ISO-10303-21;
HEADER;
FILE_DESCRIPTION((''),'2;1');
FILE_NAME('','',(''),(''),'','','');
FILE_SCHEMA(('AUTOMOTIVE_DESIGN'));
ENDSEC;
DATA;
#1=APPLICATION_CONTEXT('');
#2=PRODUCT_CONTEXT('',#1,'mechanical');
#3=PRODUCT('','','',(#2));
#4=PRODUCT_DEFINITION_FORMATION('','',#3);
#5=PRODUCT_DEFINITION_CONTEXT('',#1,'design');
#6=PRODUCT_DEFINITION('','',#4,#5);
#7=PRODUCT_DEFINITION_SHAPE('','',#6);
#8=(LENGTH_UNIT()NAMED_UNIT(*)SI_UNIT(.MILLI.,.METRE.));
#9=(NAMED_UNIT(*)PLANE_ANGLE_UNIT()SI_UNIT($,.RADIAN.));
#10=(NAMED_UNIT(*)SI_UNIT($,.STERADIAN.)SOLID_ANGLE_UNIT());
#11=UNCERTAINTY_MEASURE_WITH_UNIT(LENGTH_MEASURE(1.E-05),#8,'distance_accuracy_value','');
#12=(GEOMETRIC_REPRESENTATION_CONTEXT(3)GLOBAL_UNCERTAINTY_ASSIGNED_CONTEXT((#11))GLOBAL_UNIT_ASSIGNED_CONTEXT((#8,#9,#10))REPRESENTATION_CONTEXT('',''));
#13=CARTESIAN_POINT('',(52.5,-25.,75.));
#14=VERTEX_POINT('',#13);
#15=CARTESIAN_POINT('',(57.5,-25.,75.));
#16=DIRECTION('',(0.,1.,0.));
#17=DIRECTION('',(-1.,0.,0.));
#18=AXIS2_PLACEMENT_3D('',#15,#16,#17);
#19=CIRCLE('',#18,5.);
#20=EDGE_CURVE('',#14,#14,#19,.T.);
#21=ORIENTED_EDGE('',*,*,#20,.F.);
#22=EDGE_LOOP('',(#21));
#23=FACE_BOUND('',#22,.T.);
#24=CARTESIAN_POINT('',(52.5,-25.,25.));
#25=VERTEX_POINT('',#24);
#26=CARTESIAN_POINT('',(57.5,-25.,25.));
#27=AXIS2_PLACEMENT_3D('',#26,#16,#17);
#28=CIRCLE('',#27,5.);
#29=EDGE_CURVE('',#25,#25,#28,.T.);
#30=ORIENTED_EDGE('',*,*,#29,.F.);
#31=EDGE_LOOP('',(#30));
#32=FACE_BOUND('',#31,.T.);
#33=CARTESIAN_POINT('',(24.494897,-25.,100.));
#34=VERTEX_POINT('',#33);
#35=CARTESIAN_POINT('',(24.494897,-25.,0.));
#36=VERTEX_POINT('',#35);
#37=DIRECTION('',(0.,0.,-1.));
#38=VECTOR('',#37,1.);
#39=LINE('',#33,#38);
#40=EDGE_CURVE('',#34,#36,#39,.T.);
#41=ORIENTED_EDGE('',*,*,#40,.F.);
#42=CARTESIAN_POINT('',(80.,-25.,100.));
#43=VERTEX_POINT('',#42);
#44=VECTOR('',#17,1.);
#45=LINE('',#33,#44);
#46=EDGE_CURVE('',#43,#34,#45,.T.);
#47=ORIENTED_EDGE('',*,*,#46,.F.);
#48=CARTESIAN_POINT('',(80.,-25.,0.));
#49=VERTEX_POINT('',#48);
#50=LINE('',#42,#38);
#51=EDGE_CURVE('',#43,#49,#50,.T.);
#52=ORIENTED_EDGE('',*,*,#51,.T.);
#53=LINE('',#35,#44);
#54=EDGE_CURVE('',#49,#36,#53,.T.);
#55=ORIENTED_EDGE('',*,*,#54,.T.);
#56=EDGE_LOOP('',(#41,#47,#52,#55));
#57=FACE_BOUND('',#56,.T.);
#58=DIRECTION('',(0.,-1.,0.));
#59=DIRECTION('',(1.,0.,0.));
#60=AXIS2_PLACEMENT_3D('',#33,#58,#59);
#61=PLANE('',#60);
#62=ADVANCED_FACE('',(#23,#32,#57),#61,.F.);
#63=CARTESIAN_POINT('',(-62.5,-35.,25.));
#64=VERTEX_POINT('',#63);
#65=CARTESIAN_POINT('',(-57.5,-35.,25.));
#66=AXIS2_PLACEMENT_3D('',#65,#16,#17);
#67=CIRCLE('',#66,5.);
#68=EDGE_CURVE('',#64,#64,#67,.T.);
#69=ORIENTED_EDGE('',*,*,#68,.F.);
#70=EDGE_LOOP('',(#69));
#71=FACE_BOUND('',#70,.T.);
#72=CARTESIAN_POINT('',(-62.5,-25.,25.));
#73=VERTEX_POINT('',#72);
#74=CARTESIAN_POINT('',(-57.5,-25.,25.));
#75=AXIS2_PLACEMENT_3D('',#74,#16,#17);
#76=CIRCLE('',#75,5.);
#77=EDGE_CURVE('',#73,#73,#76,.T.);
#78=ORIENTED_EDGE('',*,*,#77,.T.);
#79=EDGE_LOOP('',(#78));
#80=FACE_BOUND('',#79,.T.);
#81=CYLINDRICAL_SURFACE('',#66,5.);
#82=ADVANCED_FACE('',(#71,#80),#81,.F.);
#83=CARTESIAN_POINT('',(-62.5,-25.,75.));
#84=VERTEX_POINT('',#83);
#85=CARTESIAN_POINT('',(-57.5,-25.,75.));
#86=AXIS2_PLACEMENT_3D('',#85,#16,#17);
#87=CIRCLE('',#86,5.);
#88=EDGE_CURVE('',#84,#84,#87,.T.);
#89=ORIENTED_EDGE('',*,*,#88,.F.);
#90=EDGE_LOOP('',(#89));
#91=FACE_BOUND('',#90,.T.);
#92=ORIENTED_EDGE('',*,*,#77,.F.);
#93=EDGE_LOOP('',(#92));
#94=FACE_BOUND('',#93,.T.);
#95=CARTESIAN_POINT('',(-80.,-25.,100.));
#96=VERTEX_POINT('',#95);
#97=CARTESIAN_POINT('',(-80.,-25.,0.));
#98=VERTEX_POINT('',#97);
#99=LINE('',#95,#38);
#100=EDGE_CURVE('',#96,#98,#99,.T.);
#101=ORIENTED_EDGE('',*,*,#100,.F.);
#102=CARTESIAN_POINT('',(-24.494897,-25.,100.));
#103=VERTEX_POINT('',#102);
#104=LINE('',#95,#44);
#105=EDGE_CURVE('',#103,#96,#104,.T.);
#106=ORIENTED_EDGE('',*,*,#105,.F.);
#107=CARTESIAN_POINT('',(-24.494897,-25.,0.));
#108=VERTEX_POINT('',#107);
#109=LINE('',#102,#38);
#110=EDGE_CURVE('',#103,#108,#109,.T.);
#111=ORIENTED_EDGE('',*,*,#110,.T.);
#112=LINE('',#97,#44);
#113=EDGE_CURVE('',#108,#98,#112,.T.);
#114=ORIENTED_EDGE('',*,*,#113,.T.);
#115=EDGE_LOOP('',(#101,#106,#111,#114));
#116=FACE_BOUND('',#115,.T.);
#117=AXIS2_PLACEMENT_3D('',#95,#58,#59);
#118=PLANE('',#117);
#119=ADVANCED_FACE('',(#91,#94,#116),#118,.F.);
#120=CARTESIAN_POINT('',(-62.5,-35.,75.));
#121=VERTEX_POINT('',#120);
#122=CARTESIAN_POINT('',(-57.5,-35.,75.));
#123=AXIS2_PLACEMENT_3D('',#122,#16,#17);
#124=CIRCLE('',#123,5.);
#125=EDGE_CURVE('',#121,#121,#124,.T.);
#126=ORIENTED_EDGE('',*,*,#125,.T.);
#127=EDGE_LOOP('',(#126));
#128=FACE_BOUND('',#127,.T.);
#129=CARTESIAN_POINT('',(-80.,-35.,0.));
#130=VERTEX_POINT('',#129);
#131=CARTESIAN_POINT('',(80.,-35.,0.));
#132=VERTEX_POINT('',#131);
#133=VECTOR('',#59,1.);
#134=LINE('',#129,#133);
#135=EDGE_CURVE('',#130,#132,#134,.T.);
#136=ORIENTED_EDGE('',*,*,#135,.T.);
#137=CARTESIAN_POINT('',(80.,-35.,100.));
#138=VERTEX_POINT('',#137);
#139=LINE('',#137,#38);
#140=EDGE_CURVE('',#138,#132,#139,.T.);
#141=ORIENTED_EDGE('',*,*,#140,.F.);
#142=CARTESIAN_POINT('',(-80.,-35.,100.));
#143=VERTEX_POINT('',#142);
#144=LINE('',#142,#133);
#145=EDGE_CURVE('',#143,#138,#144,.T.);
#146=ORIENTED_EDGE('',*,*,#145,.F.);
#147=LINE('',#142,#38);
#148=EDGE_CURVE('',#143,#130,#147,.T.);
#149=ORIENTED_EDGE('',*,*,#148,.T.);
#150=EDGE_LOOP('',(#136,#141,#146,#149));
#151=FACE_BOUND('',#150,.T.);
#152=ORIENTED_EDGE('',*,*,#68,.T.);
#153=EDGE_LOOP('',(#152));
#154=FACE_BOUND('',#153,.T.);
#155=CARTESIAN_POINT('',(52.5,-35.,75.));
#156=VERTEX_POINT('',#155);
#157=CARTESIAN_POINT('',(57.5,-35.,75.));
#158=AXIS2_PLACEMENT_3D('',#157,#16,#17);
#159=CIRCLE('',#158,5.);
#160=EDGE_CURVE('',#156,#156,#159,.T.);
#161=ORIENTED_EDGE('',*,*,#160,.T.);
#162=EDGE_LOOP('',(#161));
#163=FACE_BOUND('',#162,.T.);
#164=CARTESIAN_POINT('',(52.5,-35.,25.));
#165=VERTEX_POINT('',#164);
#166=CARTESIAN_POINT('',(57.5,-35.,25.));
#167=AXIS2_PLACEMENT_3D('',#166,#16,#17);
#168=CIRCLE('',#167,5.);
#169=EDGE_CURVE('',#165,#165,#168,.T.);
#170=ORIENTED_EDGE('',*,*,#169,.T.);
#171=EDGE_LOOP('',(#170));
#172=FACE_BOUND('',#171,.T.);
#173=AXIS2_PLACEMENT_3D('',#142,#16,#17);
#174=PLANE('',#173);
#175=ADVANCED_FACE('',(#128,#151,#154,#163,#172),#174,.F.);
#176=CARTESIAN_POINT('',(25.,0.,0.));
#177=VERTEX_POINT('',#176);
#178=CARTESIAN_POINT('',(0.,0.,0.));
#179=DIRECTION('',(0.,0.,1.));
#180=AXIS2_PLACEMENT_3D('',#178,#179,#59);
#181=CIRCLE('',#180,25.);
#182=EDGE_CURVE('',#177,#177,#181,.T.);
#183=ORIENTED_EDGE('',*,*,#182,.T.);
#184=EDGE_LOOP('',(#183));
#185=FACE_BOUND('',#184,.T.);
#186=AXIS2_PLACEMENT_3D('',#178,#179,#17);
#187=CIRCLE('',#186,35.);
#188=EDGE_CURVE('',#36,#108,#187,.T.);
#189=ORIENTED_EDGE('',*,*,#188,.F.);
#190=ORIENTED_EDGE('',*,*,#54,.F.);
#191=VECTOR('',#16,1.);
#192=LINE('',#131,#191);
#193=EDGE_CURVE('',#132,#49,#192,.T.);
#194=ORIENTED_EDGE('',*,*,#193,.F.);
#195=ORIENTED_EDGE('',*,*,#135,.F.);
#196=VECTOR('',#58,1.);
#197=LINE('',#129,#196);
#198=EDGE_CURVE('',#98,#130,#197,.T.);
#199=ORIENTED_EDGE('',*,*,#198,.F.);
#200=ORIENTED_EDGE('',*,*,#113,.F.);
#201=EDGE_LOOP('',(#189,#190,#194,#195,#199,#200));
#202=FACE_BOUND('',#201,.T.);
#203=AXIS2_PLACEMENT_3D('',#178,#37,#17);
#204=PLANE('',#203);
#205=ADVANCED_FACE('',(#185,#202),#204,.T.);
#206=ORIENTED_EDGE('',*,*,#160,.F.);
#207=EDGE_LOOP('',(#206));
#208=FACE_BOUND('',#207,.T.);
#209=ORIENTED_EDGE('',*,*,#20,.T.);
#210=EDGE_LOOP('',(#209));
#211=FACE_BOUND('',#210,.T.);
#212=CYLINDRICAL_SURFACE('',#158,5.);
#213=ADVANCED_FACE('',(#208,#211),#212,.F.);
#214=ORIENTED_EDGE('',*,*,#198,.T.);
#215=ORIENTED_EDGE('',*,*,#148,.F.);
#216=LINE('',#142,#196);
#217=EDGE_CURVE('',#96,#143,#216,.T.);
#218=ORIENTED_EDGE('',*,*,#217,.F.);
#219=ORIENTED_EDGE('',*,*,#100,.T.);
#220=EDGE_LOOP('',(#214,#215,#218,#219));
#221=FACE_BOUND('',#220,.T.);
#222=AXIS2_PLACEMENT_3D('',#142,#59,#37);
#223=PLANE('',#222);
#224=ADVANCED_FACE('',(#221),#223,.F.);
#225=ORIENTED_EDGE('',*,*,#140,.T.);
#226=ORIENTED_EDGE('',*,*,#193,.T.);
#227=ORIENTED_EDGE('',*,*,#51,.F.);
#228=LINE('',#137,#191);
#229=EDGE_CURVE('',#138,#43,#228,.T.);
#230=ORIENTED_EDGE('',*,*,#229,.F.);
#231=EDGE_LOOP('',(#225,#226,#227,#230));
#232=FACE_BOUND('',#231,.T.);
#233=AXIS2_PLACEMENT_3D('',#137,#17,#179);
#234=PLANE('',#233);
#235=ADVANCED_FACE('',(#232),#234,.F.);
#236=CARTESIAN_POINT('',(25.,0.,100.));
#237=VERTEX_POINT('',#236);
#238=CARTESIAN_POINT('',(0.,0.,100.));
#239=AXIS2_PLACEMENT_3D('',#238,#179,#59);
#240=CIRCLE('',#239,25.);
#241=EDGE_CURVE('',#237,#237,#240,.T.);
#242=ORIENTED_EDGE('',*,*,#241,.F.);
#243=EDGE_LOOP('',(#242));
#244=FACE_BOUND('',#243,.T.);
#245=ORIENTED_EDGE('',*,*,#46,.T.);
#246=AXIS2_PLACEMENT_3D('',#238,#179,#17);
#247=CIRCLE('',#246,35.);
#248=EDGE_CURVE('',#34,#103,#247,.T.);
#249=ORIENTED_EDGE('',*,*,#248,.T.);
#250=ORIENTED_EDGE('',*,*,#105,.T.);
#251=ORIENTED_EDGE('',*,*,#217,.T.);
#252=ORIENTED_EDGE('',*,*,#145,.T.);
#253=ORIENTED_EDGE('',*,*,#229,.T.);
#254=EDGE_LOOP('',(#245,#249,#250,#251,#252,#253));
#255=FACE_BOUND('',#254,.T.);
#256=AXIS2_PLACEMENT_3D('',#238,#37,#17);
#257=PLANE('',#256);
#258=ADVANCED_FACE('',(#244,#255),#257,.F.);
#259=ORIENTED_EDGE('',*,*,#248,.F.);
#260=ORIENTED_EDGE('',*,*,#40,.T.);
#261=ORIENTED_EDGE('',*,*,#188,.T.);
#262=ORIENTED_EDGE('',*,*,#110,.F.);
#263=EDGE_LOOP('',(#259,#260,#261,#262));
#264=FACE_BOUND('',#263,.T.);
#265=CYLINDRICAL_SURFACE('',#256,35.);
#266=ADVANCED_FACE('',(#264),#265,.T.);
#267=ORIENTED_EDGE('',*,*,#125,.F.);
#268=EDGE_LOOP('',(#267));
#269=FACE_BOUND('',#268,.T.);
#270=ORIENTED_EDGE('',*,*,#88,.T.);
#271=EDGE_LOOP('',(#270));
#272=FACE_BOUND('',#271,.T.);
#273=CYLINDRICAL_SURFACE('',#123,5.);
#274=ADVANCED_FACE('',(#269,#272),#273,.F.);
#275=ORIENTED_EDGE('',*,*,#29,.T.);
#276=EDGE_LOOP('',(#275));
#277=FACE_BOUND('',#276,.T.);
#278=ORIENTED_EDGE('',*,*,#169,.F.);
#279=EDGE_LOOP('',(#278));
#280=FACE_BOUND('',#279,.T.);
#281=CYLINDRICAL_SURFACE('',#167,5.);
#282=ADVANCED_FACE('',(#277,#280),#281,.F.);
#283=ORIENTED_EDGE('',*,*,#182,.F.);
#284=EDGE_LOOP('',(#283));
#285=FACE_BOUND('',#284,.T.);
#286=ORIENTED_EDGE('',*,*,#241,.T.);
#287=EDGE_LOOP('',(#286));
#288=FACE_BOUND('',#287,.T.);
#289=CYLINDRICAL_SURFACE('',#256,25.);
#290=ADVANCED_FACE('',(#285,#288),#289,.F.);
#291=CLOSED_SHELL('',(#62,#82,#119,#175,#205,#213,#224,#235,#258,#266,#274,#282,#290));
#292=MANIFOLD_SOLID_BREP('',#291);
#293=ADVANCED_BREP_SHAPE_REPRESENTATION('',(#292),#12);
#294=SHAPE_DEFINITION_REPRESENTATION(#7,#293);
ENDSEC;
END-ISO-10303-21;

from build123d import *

# Parameters (mm, degrees)
SKETCH2_R           = 25
BOSS_EXTRUDE1_DEPTH = 100
SKETCH3_R           = 5
CUT_EXTRUDE1_DEPTH  = 10


with BuildPart() as part:
    # Sketch2 → Boss-Extrude1 (new body)
    with BuildSketch(Plane.XY):
        with BuildLine():
            Line((-80, -35), (80, -35))
            Line((80, -35), (80, -25))
            Line((80, -25), (24.494897428, -25))
            ThreePointArc((24.494897428, -25), (0, 35), (-24.494897428, -25))
            Line((-24.494897428, -25), (-80, -25))
            Line((-80, -25), (-80, -35))
        make_face()
        Circle(SKETCH2_R, mode=Mode.SUBTRACT)
    extrude(amount=BOSS_EXTRUDE1_DEPTH)

    # Sketch3 → Cut-Extrude1 (cut)
    with BuildSketch(Plane(origin=(0, -25, 0), x_dir=(1, 0, 0), z_dir=(0, 1, 0))):
        with Locations(Location((57.5, -25, 0), (0, 0, 180))):
            Circle(SKETCH3_R)
        with Locations(Location((57.5, -75, 0), (0, 0, 180))):
            Circle(SKETCH3_R)
        with Locations(Location((-57.5, -25, 0), (0, 0, 180))):
            Circle(SKETCH3_R)
        with Locations(Location((-57.5, -75, 0), (0, 0, 180))):
            Circle(SKETCH3_R)
    extrude(amount=-CUT_EXTRUDE1_DEPTH, mode=Mode.SUBTRACT)


solid = part.part
